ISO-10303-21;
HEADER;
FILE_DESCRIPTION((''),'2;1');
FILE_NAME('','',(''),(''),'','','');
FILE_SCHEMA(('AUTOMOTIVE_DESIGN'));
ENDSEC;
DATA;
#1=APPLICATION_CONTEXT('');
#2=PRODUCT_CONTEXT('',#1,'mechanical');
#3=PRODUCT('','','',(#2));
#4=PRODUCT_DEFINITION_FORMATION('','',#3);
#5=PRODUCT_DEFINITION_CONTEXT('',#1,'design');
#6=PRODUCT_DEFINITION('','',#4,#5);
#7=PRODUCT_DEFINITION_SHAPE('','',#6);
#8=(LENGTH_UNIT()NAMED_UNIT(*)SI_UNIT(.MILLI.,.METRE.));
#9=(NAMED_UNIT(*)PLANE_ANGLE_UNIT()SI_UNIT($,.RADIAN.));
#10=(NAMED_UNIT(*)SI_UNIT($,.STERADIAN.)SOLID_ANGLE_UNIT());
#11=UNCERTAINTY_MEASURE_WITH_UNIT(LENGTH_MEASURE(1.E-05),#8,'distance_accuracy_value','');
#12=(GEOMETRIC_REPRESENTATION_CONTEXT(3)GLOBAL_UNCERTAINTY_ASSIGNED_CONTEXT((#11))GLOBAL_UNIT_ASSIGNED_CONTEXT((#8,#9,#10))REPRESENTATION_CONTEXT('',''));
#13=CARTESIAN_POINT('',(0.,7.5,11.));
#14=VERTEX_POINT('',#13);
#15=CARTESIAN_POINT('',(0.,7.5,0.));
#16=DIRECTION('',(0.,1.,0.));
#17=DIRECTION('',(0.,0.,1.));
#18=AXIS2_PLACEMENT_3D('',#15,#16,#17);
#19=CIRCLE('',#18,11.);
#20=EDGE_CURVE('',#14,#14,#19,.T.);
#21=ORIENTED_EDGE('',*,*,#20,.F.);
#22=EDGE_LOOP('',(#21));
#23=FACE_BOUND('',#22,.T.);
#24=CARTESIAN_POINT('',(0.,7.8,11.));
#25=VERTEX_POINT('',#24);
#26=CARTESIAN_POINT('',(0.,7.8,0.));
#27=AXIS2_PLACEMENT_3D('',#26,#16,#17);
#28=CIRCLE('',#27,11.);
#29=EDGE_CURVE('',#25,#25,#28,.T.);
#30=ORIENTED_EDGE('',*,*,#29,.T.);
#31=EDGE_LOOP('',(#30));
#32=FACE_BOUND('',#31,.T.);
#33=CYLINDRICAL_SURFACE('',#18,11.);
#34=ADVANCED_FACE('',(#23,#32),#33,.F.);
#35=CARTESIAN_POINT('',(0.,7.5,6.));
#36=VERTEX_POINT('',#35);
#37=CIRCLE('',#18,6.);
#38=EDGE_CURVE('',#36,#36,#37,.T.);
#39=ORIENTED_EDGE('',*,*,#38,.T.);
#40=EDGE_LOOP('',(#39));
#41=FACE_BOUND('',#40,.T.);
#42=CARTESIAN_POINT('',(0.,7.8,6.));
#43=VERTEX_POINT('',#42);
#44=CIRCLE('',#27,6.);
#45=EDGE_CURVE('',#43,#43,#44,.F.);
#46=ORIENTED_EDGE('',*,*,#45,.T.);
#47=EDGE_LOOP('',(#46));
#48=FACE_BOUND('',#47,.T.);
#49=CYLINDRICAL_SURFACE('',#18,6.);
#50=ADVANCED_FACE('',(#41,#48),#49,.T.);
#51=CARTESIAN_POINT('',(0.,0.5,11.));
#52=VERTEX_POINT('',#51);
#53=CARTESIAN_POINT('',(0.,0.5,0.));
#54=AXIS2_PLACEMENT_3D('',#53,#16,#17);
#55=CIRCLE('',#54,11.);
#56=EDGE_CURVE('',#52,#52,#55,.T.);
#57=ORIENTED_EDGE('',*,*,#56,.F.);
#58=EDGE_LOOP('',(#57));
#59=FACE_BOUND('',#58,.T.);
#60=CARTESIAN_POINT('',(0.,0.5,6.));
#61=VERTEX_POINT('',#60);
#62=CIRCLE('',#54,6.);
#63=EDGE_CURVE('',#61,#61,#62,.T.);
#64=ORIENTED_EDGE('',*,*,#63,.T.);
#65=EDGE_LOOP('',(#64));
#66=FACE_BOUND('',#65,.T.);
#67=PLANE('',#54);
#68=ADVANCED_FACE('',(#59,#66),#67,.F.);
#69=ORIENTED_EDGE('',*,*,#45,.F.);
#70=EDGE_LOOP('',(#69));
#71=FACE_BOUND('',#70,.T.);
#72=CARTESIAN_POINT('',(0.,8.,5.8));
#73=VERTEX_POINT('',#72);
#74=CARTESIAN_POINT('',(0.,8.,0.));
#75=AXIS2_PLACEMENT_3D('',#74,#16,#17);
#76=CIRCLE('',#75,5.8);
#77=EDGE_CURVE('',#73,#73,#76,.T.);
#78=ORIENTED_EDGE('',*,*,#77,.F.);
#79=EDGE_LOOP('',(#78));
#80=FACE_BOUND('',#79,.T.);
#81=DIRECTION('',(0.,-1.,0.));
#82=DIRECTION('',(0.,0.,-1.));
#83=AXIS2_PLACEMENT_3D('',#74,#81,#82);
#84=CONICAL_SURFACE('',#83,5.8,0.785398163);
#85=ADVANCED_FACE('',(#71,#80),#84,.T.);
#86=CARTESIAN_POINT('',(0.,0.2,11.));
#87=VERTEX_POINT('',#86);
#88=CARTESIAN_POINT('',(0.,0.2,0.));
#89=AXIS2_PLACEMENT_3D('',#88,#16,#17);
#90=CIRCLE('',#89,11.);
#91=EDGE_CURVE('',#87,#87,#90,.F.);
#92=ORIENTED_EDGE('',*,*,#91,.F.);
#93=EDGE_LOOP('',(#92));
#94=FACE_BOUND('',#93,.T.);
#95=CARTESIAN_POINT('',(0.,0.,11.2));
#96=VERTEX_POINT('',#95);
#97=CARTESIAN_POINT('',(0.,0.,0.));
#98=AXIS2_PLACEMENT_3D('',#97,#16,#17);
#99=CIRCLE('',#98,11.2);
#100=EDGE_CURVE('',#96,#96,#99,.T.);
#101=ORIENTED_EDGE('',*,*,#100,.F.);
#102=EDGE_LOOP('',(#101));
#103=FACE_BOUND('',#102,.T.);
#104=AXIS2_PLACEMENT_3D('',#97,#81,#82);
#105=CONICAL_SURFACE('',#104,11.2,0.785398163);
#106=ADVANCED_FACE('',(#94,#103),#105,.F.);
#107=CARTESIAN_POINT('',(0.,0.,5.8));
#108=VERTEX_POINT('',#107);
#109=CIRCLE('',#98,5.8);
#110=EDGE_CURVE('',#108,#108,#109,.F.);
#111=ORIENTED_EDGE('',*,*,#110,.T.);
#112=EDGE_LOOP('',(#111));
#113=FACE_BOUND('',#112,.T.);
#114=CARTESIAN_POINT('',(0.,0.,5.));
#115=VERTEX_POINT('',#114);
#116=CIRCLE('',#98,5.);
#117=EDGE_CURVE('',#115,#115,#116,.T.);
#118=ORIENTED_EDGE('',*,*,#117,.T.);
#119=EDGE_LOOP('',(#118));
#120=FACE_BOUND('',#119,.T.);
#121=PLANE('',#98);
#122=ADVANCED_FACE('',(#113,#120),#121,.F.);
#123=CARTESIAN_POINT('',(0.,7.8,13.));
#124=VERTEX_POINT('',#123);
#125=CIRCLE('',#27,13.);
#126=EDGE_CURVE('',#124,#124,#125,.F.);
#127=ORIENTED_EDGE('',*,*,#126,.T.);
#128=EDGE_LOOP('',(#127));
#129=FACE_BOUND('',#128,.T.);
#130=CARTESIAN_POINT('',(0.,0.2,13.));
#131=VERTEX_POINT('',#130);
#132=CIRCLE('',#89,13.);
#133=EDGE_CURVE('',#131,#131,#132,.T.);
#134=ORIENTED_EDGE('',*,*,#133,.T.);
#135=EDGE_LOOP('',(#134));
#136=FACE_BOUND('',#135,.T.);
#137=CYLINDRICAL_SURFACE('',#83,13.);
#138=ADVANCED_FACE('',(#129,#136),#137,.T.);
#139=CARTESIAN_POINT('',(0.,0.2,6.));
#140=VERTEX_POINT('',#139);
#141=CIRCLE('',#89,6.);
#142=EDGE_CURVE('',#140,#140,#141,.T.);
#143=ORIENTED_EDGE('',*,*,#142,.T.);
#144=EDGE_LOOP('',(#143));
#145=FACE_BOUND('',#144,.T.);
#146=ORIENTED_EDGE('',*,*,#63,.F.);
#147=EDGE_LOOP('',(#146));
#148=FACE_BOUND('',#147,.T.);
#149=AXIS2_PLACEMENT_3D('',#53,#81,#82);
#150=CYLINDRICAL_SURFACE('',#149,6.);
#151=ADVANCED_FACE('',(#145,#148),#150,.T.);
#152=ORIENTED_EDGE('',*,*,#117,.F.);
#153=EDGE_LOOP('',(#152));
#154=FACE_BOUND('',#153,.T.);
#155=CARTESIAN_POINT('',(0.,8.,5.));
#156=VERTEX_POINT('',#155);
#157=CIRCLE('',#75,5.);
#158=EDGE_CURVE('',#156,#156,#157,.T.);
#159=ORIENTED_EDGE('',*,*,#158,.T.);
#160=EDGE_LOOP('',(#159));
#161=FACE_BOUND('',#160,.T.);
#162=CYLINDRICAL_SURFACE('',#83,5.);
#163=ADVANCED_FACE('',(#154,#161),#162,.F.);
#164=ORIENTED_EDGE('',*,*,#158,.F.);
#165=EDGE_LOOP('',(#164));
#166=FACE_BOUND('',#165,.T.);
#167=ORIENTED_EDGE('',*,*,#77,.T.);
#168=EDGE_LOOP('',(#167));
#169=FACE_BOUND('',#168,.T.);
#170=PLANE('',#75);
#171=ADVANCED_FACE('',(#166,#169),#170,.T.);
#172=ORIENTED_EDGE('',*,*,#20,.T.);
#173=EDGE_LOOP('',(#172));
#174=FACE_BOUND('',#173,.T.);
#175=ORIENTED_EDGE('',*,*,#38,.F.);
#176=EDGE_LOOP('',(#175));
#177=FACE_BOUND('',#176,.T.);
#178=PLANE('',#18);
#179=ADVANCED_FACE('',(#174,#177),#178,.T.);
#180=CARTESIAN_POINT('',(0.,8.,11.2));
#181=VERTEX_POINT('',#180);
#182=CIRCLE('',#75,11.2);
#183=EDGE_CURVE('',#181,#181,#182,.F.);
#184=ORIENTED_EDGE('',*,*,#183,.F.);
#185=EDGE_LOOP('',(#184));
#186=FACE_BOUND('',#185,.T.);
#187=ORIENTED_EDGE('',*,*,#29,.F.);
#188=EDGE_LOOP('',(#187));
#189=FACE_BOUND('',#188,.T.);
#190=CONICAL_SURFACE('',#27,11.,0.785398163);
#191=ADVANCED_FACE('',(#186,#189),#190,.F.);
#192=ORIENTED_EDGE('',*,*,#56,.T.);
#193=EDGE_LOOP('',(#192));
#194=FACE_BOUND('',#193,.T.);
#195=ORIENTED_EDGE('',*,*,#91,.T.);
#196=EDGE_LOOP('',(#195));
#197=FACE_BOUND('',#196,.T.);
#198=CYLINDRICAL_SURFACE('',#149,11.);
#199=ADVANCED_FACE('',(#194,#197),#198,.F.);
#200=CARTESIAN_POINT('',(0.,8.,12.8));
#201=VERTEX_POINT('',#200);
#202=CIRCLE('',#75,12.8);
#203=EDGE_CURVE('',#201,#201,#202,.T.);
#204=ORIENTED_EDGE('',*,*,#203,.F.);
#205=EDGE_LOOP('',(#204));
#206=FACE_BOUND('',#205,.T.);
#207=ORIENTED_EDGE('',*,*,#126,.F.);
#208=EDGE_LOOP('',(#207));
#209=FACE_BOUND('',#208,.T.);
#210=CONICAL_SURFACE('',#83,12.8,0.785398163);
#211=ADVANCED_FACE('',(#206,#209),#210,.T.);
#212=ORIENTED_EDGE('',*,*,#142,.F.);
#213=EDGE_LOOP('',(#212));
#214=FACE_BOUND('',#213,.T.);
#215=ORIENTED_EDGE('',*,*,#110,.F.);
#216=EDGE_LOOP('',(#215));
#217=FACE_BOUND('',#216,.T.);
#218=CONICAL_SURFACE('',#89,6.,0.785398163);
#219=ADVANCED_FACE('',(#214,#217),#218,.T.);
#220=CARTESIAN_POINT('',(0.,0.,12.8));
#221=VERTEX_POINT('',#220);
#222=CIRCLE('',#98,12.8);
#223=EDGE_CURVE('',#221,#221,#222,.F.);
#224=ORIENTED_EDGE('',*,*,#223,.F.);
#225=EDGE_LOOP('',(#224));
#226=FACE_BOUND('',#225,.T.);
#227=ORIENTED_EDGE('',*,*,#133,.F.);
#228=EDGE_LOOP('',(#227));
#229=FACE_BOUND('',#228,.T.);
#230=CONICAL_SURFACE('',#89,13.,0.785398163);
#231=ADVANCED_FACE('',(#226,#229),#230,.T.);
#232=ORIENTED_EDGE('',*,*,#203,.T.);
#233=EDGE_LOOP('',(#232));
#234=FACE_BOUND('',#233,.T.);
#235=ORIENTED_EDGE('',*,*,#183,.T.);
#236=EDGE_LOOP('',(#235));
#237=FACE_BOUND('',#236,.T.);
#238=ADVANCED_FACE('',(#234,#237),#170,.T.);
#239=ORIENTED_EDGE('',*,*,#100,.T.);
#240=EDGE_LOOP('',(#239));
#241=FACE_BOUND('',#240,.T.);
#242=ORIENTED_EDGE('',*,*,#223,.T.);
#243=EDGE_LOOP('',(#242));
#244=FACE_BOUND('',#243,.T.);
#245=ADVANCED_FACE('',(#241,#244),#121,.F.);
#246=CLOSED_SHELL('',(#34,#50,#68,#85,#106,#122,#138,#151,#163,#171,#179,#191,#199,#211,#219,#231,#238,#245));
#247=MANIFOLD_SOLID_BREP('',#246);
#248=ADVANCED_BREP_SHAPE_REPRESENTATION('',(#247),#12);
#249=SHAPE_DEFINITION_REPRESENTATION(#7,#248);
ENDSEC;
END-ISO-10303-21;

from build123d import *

# Parameters (mm, degrees)
SKETCH1_R           = 13
SKETCH1_R_2         = 5
BOSS_EXTRUDE1_DEPTH = 8
SKETCH2_R           = 11
SKETCH2_R_2         = 6
CUT_EXTRUDE1_DEPTH  = 0.5
CUT_EXTRUDE2_START  = -7.5
SKETCH2_2_R         = 11
SKETCH2_2_R_2       = 6
CUT_EXTRUDE2_DEPTH  = 0.5
CHAMFER1_SIZE       = 0.2


with BuildPart() as part:
    # Sketch1 → Boss-Extrude1 (new body)
    with BuildSketch(Plane(origin=(0, 0, 0), x_dir=(1, 0, 0), z_dir=(0, 1, 0))):
        with Locations(Location((0, 0, 0), (0, 0, 270))):
            Circle(SKETCH1_R)
        with Locations(Location((0, 0, 0), (0, 0, 270))):
            Circle(SKETCH1_R_2, mode=Mode.SUBTRACT)
    extrude(amount=BOSS_EXTRUDE1_DEPTH)

    # Sketch2 → Cut-Extrude1 (cut)
    with BuildSketch(Plane(origin=(0, 8, 0), x_dir=(1, 0, 0), z_dir=(0, 1, 0))):
        with Locations(Location((0, 0, 0), (0, 0, 270))):
            Circle(SKETCH2_R)
        with Locations(Location((0, 0, 0), (0, 0, 270))):
            Circle(SKETCH2_R_2, mode=Mode.SUBTRACT)
    extrude(amount=-CUT_EXTRUDE1_DEPTH, mode=Mode.SUBTRACT)

    # Sketch2<2> → Cut-Extrude2 (cut)
    with BuildSketch(Plane(origin=(0, 8, 0), x_dir=(1, 0, 0), z_dir=(0, 1, 0)).offset(CUT_EXTRUDE2_START)):
        with Locations(Location((0, 0, 0), (0, 0, 270))):
            Circle(SKETCH2_2_R)
        with Locations(Location((0, 0, 0), (0, 0, 270))):
            Circle(SKETCH2_2_R_2, mode=Mode.SUBTRACT)
    extrude(amount=-CUT_EXTRUDE2_DEPTH, mode=Mode.SUBTRACT)

    # Chamfer1
    chamfer1_edges = [part.edges().sort_by_distance(p)[0] for p in [
        (0, 8, -11),
        (0, 8, -6),
        (0, 0, -6),
        (0, 0, -11),
        (0, 0, -13),
        (0, 8, -13),
    ]]
    chamfer(chamfer1_edges, length=CHAMFER1_SIZE)


solid = part.part
